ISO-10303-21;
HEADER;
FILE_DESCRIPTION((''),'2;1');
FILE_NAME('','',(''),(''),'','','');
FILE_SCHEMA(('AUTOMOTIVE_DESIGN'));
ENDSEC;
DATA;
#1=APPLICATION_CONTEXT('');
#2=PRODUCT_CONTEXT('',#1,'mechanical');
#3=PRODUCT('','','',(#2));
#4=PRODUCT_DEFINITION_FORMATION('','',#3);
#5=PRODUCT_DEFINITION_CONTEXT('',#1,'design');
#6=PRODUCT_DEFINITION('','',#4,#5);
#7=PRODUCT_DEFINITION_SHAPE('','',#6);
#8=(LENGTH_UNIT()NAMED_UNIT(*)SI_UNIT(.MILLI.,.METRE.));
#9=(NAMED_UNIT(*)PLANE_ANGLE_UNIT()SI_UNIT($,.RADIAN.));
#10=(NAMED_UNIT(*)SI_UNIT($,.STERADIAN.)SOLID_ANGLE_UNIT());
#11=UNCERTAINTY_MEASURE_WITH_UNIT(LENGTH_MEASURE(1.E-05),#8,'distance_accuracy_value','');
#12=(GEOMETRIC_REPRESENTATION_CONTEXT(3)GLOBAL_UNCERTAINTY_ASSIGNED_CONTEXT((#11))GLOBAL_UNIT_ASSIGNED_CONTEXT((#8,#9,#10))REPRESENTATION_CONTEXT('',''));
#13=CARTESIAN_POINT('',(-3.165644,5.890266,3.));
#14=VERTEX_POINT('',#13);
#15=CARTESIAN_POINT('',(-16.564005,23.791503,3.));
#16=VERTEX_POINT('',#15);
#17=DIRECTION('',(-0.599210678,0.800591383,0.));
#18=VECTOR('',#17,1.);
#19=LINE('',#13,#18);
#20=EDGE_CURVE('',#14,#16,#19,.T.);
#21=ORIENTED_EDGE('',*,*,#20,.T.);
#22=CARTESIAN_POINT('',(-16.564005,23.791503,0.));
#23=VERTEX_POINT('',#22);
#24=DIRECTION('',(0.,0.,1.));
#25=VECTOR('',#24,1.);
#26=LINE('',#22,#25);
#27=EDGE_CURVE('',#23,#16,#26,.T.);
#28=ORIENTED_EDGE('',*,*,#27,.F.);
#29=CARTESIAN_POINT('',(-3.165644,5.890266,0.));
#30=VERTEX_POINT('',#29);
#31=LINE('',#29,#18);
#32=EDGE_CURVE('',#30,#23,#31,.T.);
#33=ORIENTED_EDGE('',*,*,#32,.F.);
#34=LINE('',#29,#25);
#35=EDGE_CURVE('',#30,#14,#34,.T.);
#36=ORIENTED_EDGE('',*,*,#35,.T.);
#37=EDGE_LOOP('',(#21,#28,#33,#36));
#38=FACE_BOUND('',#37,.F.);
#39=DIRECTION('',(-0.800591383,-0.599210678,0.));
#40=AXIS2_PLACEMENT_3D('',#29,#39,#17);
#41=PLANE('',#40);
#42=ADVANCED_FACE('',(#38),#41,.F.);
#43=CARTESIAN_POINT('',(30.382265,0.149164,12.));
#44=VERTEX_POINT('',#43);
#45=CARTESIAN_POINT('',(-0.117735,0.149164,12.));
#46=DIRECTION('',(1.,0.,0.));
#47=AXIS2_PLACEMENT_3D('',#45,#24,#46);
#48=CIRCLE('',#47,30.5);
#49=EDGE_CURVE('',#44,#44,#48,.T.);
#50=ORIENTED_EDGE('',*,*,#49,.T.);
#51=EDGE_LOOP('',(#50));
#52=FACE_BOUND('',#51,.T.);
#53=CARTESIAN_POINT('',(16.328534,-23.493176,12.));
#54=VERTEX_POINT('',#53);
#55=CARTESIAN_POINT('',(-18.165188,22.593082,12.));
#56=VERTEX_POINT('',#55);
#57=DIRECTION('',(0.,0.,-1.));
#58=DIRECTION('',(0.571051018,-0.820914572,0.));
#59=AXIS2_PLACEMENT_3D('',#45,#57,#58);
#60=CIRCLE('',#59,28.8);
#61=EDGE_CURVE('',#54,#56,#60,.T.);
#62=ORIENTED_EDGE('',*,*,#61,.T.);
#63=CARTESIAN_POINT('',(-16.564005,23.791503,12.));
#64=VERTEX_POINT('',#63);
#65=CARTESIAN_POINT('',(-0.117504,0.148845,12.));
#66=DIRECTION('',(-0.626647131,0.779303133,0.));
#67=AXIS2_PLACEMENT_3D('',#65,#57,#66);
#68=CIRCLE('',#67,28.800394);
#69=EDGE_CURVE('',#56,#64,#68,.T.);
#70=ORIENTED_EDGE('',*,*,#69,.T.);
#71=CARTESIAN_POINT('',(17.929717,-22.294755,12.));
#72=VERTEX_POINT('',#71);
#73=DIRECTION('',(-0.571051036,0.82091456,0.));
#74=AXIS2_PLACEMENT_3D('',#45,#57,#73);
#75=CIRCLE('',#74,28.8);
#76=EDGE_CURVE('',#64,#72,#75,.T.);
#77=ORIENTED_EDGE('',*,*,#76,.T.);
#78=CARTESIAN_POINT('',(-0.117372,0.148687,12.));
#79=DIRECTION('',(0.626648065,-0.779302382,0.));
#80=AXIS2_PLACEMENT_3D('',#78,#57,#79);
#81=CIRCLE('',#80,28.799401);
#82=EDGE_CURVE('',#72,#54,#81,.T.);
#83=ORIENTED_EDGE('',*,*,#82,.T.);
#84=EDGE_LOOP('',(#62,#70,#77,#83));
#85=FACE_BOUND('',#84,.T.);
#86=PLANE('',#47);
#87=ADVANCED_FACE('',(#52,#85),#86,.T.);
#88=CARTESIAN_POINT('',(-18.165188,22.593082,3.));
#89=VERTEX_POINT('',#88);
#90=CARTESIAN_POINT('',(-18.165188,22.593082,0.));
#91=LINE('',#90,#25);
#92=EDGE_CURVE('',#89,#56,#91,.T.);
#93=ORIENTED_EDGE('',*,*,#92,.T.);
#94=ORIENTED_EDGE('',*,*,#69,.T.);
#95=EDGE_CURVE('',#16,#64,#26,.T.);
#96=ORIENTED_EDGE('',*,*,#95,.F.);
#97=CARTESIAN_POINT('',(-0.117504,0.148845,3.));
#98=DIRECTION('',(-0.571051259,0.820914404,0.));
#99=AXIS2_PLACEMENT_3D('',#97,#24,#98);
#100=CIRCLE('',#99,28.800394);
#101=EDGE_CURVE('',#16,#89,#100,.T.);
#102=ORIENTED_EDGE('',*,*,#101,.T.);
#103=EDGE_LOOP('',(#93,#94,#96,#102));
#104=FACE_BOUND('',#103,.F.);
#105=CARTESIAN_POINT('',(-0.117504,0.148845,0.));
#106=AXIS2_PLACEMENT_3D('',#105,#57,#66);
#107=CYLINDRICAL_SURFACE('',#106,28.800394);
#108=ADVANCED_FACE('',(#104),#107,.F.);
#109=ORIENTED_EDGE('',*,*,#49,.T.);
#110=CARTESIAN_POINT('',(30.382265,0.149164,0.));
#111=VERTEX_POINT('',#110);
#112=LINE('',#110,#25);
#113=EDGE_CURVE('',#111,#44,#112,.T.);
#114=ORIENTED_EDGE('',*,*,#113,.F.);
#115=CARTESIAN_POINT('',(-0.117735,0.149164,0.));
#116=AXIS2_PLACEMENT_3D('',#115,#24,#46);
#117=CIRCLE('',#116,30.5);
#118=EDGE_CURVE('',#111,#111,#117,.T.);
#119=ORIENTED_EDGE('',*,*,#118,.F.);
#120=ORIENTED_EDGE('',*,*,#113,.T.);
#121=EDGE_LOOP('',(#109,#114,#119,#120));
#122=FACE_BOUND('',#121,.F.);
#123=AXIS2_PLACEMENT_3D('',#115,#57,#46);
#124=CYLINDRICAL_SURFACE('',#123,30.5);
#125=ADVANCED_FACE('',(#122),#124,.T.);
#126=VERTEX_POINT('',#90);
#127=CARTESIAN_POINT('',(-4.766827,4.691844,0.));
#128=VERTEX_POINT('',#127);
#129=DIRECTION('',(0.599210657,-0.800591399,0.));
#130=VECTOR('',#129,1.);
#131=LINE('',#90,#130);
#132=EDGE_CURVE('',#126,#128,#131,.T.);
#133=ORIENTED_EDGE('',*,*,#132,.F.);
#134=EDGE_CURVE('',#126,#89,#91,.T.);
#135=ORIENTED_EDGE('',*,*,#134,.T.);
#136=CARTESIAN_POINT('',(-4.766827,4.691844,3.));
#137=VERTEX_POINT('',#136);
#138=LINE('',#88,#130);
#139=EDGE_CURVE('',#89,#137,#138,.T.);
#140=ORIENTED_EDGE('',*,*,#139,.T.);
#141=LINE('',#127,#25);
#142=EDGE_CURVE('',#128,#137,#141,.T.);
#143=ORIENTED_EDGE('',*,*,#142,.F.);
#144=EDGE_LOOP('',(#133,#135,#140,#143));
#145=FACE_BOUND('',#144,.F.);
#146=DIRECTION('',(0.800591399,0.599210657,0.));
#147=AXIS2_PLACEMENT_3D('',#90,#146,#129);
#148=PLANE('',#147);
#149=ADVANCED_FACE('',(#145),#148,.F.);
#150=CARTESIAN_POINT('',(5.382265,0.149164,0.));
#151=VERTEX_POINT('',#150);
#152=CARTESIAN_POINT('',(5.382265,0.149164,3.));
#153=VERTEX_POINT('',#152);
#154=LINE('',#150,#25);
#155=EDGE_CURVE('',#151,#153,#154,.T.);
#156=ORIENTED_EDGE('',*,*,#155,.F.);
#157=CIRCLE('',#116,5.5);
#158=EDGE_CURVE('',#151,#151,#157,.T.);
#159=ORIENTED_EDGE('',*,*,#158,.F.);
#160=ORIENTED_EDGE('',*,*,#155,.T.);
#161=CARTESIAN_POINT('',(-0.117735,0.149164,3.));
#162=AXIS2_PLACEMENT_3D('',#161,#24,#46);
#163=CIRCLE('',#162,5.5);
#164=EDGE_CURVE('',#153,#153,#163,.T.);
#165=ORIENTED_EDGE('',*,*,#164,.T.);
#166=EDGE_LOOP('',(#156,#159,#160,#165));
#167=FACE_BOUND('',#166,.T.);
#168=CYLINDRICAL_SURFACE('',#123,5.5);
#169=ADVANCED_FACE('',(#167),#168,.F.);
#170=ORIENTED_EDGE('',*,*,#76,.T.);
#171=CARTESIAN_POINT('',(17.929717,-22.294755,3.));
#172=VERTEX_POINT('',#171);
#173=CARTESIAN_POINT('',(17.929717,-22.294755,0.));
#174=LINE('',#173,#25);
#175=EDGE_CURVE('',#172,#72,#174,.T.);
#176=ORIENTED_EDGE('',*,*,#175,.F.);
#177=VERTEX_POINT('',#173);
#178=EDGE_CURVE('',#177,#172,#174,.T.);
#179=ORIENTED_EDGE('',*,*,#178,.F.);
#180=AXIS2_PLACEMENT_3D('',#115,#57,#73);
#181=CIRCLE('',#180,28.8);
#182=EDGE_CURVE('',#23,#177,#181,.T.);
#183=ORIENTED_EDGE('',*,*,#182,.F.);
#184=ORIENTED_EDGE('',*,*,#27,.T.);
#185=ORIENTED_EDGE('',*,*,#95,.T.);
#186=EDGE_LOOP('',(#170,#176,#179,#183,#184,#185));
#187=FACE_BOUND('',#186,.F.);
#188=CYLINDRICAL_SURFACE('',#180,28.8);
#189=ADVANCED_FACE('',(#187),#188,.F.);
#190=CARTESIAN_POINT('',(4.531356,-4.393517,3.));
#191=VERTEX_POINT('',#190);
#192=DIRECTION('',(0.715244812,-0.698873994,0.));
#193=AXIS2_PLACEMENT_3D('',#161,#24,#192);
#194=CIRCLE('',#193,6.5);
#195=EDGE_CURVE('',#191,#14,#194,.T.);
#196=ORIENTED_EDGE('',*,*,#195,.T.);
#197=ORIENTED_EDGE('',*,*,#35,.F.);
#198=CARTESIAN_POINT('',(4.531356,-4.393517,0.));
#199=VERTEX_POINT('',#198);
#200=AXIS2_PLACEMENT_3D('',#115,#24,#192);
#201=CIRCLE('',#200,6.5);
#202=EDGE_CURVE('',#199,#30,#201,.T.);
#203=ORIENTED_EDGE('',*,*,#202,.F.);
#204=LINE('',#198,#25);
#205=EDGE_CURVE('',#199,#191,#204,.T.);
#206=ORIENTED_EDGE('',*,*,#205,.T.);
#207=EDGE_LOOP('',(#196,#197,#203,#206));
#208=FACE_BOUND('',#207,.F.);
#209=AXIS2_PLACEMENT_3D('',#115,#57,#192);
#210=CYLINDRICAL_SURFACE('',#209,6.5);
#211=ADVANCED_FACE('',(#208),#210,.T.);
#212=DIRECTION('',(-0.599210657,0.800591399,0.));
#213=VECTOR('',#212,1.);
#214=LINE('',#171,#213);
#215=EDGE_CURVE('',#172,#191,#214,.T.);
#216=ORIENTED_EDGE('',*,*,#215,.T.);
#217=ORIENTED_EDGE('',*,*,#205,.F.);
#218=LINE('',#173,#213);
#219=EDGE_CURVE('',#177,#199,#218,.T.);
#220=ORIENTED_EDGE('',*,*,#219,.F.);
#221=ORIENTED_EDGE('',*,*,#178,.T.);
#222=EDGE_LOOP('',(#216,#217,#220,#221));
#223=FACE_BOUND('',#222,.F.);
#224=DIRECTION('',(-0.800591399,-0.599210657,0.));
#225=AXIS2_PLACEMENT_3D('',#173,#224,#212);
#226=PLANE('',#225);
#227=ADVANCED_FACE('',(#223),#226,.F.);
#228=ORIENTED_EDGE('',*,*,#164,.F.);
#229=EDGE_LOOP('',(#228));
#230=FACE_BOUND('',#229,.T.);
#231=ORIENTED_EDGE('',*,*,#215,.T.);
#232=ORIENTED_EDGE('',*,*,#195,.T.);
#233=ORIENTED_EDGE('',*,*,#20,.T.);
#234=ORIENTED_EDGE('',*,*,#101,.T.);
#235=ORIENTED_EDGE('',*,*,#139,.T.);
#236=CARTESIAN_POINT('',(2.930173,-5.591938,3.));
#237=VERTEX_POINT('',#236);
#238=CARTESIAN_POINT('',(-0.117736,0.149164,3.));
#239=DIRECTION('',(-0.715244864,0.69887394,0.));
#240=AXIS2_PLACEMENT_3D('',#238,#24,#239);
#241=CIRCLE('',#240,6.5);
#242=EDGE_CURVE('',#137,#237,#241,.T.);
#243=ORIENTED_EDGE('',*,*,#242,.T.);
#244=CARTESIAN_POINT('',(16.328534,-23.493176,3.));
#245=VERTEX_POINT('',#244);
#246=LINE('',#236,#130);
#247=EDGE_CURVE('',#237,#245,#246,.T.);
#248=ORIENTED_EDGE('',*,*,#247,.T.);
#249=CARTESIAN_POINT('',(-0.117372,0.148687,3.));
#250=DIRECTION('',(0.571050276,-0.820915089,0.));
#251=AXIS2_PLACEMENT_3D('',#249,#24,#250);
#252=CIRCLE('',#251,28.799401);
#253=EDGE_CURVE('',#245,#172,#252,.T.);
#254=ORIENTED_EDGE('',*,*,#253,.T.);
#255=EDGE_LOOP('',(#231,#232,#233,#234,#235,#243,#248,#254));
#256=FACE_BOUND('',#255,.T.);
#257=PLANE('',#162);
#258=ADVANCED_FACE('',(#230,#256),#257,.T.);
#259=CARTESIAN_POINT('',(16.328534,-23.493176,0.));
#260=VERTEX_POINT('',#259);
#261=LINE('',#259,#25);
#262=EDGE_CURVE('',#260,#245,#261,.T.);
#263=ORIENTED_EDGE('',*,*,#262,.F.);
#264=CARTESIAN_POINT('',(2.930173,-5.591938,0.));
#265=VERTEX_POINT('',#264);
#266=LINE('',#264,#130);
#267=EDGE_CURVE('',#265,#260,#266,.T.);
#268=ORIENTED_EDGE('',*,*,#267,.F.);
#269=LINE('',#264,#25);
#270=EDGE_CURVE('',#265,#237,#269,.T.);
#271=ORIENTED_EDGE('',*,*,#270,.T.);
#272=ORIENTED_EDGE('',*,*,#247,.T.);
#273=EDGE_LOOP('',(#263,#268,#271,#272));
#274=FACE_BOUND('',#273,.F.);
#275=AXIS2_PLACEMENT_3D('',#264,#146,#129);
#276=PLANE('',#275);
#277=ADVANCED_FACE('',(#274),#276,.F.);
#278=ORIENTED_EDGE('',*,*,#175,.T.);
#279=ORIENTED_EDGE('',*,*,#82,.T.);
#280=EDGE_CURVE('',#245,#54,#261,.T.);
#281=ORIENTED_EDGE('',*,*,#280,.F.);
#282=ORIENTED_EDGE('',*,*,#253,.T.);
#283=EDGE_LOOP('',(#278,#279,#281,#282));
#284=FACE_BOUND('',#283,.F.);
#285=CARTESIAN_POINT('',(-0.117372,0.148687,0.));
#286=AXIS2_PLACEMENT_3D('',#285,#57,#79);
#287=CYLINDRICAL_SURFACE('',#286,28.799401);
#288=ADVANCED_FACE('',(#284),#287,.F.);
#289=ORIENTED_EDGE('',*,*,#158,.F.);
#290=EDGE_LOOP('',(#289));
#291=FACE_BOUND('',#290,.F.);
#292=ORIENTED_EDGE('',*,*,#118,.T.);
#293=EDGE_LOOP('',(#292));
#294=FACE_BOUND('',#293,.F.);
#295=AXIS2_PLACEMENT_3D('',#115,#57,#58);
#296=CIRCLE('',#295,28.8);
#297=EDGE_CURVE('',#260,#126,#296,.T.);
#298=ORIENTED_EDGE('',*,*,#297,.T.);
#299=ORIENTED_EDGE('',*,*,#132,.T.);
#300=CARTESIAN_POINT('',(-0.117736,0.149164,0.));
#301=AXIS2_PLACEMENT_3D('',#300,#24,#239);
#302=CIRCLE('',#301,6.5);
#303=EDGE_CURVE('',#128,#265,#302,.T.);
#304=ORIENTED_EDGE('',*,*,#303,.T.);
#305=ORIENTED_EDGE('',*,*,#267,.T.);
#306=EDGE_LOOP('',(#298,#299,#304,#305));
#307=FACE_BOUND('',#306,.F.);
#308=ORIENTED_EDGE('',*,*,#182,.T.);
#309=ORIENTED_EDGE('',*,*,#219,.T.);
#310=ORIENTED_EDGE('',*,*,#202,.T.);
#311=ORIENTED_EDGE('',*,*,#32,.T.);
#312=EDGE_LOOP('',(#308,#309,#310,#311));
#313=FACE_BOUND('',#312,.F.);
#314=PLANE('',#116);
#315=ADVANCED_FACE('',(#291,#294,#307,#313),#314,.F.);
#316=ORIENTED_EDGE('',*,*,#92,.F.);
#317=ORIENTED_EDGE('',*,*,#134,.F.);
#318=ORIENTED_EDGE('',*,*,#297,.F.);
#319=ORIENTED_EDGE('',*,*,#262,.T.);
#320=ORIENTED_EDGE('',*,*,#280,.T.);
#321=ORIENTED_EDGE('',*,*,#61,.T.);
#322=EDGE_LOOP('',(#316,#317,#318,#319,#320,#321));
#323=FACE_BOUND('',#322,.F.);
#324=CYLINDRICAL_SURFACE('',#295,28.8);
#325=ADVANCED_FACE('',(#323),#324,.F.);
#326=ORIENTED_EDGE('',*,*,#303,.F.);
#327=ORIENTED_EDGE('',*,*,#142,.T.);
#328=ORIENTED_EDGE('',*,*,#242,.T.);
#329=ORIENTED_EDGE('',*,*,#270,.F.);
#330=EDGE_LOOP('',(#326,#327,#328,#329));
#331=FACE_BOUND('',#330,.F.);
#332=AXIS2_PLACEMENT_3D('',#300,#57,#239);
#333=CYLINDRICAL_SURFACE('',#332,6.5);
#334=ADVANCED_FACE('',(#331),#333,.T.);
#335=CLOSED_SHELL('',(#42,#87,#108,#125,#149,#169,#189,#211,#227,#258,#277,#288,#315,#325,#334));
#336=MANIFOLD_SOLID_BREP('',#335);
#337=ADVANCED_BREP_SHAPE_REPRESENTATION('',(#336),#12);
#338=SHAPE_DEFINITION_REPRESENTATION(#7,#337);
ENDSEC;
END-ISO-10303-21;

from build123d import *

# Parameters (mm, degrees)
F0_R     = 30.5
F1_DEPTH = 12
F0_R_2   = 5.5
F2_DEPTH = 3


with BuildPart() as f1:
    # F0 (on Top) → F1 (new body)
    with BuildSketch(Plane.XY):
        with Locations((-0.117735, 0.149164)):
            Circle(F0_R)
        with BuildLine():
            ThreePointArc((-18.165188, 22.593082), (-17.375002, 23.206196), (-16.564005, 23.791503))
            ThreePointArc((-16.564005, 23.791503), (22.939297, 17.406431), (17.929717, -22.294755))
            ThreePointArc((17.929717, -22.294755), (17.139532, -22.907869), (16.328534, -23.493176))
            ThreePointArc((16.328534, -23.493176), (-23.174768, -17.108103), (-18.165188, 22.593082))
        make_face(mode=Mode.SUBTRACT)
    extrude(amount=F1_DEPTH)

    # F0 (on Top) → F2 (join)
    with BuildSketch(Plane.XY):
        with BuildLine():
            Line((-3.165644, 5.890266), (-16.564005, 23.791503))
            ThreePointArc((-16.564005, 23.791503), (-17.375002, 23.206196), (-18.165188, 22.593082))
            Line((-18.165188, 22.593082), (-4.766827, 4.691844))
            ThreePointArc((-4.766827, 4.691844), (-5.321579, -3.745706), (2.930173, -5.591938))
            Line((2.930173, -5.591938), (16.328534, -23.493176))
            ThreePointArc((16.328534, -23.493176), (17.139532, -22.907869), (17.929717, -22.294755))
            Line((17.929717, -22.294755), (4.531356, -4.393517))
            ThreePointArc((4.531356, -4.393517), (5.086109, 4.044033), (-3.165644, 5.890266))
        make_face()
        with Locations((-0.117735, 0.149164)):
            Circle(F0_R_2, mode=Mode.SUBTRACT)
    extrude(amount=F2_DEPTH)


solid = f1.part
